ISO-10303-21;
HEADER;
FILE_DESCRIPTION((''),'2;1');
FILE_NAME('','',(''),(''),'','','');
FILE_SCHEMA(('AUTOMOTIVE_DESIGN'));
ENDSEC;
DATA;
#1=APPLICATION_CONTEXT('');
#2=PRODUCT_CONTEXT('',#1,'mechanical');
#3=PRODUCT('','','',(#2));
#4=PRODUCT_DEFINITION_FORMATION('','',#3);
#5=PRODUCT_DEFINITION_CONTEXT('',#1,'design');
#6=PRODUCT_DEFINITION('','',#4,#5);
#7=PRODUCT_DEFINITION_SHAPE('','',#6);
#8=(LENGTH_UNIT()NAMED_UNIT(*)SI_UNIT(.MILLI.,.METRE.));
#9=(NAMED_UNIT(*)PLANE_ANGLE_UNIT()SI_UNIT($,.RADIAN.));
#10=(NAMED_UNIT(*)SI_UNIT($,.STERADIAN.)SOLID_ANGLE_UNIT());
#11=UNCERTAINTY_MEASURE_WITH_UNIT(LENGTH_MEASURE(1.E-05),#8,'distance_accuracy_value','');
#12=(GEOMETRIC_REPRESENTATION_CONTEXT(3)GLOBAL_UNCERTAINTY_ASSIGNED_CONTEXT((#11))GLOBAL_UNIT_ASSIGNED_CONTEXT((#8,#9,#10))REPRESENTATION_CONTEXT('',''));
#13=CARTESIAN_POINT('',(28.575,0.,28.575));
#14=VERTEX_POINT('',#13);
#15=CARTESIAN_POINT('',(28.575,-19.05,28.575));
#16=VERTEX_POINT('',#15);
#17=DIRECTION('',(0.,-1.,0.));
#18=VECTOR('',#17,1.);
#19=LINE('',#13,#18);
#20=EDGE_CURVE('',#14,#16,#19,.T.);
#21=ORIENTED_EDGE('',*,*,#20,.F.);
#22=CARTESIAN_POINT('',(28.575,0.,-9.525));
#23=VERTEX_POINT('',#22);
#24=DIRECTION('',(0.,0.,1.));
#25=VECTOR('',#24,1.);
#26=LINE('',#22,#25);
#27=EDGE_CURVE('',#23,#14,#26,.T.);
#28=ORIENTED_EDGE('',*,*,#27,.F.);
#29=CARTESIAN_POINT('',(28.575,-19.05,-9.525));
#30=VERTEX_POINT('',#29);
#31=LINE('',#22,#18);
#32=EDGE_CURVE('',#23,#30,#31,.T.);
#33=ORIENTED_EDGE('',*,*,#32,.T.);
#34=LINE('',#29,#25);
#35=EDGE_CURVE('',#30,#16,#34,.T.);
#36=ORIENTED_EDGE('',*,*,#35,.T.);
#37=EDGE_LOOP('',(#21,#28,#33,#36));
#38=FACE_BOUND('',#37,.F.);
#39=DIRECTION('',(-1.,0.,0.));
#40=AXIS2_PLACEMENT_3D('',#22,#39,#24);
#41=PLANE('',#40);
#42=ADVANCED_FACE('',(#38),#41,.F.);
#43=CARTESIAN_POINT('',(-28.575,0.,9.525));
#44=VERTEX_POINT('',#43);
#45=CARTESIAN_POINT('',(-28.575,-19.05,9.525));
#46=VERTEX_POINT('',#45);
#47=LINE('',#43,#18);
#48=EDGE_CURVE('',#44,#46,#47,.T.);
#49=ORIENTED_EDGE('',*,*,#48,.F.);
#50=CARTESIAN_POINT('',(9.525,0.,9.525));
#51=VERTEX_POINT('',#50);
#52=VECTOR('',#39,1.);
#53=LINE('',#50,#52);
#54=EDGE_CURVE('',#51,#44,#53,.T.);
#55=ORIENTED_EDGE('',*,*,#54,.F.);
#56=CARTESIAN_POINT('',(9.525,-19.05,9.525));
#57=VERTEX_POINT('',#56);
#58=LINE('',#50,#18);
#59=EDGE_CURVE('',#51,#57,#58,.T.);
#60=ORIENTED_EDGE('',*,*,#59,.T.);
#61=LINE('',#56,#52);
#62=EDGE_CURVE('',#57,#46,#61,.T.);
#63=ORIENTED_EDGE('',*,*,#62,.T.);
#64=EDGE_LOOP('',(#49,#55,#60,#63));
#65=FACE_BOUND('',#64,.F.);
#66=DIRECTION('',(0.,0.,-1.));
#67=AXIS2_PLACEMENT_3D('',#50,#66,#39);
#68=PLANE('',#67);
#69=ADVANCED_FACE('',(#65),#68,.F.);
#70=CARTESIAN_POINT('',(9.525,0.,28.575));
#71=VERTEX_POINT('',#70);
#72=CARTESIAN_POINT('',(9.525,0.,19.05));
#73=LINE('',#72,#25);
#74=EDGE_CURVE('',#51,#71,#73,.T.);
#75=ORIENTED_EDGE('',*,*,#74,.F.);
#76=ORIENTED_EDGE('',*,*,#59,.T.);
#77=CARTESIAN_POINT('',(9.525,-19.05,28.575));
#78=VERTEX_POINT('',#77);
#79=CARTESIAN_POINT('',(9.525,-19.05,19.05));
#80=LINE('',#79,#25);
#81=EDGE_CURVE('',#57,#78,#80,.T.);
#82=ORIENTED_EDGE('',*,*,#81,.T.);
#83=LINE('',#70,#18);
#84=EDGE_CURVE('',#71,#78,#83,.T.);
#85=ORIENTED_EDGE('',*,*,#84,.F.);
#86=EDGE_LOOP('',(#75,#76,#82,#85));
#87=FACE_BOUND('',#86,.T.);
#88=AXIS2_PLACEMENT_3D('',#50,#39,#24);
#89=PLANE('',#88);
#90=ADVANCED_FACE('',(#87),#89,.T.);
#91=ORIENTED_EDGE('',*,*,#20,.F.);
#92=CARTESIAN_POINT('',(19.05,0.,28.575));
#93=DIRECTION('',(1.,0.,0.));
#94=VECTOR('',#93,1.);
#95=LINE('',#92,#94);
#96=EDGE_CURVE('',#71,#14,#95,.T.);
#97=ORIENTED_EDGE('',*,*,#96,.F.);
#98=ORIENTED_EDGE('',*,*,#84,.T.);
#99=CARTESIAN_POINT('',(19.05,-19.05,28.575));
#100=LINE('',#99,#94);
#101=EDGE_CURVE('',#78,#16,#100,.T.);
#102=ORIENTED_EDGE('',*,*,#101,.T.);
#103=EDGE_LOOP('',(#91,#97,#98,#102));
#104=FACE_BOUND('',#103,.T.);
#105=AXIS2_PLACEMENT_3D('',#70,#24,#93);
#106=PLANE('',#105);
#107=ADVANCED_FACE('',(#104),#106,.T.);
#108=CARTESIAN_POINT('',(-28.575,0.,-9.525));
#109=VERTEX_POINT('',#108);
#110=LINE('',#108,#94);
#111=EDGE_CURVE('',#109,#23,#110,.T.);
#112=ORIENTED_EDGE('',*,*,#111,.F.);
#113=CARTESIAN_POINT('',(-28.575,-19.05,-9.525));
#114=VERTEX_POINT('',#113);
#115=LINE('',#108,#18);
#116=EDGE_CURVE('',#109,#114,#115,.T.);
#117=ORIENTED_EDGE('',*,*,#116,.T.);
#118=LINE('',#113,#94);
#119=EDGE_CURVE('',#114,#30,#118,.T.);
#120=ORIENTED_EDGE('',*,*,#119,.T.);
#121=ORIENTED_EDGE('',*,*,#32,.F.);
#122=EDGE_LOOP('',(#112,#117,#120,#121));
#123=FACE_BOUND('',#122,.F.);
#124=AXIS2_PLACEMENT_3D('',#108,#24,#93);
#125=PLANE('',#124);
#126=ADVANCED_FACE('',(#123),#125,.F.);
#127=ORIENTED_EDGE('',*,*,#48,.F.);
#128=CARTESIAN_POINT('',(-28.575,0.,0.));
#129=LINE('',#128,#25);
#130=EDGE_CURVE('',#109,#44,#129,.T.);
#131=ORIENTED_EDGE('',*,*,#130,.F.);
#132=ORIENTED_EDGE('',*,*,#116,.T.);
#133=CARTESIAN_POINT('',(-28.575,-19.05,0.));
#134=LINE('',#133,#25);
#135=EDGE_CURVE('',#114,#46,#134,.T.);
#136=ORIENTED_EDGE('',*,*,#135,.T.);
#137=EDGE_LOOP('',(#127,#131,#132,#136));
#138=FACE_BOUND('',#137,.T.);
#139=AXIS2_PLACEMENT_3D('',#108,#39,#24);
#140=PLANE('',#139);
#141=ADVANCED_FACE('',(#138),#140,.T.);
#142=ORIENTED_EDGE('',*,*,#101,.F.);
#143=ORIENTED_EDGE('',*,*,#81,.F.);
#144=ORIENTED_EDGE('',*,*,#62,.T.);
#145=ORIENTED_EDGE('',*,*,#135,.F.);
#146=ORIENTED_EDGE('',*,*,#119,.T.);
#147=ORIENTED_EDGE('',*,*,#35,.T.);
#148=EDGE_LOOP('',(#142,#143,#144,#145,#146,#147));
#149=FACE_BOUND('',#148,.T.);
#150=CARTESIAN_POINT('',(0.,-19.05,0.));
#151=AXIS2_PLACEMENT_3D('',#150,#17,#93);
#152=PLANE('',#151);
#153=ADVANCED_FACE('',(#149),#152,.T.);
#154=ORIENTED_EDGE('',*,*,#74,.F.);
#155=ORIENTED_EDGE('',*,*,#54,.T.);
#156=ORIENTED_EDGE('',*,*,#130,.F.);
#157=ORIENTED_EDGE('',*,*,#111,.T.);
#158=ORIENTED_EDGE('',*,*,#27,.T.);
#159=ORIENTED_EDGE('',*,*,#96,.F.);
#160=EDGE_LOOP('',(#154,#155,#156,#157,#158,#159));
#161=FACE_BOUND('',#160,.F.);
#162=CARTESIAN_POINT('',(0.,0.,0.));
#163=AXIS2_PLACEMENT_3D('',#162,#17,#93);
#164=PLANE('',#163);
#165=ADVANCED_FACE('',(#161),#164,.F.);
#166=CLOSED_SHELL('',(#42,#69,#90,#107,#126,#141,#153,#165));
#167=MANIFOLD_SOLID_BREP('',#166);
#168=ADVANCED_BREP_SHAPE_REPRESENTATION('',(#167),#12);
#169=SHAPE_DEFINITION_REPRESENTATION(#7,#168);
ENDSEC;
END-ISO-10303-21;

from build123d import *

# Parameters (mm, degrees)
F0_W     = 19.05
F0_H     = 19.05
F1_DEPTH = 19.05


with BuildPart() as f1:
    # F0 (on Front) → F1 (new body)
    with BuildSketch(Plane.XZ):
        Rectangle(F0_W, F0_H)
        with Locations((19.05, 0)):
            Rectangle(F0_W, F0_H)
        with Locations((19.05, 19.05)):
            Rectangle(F0_W, F0_H)
        with Locations((-19.05, 0)):
            Rectangle(F0_W, F0_H)
    extrude(amount=F1_DEPTH)


solid = f1.part
